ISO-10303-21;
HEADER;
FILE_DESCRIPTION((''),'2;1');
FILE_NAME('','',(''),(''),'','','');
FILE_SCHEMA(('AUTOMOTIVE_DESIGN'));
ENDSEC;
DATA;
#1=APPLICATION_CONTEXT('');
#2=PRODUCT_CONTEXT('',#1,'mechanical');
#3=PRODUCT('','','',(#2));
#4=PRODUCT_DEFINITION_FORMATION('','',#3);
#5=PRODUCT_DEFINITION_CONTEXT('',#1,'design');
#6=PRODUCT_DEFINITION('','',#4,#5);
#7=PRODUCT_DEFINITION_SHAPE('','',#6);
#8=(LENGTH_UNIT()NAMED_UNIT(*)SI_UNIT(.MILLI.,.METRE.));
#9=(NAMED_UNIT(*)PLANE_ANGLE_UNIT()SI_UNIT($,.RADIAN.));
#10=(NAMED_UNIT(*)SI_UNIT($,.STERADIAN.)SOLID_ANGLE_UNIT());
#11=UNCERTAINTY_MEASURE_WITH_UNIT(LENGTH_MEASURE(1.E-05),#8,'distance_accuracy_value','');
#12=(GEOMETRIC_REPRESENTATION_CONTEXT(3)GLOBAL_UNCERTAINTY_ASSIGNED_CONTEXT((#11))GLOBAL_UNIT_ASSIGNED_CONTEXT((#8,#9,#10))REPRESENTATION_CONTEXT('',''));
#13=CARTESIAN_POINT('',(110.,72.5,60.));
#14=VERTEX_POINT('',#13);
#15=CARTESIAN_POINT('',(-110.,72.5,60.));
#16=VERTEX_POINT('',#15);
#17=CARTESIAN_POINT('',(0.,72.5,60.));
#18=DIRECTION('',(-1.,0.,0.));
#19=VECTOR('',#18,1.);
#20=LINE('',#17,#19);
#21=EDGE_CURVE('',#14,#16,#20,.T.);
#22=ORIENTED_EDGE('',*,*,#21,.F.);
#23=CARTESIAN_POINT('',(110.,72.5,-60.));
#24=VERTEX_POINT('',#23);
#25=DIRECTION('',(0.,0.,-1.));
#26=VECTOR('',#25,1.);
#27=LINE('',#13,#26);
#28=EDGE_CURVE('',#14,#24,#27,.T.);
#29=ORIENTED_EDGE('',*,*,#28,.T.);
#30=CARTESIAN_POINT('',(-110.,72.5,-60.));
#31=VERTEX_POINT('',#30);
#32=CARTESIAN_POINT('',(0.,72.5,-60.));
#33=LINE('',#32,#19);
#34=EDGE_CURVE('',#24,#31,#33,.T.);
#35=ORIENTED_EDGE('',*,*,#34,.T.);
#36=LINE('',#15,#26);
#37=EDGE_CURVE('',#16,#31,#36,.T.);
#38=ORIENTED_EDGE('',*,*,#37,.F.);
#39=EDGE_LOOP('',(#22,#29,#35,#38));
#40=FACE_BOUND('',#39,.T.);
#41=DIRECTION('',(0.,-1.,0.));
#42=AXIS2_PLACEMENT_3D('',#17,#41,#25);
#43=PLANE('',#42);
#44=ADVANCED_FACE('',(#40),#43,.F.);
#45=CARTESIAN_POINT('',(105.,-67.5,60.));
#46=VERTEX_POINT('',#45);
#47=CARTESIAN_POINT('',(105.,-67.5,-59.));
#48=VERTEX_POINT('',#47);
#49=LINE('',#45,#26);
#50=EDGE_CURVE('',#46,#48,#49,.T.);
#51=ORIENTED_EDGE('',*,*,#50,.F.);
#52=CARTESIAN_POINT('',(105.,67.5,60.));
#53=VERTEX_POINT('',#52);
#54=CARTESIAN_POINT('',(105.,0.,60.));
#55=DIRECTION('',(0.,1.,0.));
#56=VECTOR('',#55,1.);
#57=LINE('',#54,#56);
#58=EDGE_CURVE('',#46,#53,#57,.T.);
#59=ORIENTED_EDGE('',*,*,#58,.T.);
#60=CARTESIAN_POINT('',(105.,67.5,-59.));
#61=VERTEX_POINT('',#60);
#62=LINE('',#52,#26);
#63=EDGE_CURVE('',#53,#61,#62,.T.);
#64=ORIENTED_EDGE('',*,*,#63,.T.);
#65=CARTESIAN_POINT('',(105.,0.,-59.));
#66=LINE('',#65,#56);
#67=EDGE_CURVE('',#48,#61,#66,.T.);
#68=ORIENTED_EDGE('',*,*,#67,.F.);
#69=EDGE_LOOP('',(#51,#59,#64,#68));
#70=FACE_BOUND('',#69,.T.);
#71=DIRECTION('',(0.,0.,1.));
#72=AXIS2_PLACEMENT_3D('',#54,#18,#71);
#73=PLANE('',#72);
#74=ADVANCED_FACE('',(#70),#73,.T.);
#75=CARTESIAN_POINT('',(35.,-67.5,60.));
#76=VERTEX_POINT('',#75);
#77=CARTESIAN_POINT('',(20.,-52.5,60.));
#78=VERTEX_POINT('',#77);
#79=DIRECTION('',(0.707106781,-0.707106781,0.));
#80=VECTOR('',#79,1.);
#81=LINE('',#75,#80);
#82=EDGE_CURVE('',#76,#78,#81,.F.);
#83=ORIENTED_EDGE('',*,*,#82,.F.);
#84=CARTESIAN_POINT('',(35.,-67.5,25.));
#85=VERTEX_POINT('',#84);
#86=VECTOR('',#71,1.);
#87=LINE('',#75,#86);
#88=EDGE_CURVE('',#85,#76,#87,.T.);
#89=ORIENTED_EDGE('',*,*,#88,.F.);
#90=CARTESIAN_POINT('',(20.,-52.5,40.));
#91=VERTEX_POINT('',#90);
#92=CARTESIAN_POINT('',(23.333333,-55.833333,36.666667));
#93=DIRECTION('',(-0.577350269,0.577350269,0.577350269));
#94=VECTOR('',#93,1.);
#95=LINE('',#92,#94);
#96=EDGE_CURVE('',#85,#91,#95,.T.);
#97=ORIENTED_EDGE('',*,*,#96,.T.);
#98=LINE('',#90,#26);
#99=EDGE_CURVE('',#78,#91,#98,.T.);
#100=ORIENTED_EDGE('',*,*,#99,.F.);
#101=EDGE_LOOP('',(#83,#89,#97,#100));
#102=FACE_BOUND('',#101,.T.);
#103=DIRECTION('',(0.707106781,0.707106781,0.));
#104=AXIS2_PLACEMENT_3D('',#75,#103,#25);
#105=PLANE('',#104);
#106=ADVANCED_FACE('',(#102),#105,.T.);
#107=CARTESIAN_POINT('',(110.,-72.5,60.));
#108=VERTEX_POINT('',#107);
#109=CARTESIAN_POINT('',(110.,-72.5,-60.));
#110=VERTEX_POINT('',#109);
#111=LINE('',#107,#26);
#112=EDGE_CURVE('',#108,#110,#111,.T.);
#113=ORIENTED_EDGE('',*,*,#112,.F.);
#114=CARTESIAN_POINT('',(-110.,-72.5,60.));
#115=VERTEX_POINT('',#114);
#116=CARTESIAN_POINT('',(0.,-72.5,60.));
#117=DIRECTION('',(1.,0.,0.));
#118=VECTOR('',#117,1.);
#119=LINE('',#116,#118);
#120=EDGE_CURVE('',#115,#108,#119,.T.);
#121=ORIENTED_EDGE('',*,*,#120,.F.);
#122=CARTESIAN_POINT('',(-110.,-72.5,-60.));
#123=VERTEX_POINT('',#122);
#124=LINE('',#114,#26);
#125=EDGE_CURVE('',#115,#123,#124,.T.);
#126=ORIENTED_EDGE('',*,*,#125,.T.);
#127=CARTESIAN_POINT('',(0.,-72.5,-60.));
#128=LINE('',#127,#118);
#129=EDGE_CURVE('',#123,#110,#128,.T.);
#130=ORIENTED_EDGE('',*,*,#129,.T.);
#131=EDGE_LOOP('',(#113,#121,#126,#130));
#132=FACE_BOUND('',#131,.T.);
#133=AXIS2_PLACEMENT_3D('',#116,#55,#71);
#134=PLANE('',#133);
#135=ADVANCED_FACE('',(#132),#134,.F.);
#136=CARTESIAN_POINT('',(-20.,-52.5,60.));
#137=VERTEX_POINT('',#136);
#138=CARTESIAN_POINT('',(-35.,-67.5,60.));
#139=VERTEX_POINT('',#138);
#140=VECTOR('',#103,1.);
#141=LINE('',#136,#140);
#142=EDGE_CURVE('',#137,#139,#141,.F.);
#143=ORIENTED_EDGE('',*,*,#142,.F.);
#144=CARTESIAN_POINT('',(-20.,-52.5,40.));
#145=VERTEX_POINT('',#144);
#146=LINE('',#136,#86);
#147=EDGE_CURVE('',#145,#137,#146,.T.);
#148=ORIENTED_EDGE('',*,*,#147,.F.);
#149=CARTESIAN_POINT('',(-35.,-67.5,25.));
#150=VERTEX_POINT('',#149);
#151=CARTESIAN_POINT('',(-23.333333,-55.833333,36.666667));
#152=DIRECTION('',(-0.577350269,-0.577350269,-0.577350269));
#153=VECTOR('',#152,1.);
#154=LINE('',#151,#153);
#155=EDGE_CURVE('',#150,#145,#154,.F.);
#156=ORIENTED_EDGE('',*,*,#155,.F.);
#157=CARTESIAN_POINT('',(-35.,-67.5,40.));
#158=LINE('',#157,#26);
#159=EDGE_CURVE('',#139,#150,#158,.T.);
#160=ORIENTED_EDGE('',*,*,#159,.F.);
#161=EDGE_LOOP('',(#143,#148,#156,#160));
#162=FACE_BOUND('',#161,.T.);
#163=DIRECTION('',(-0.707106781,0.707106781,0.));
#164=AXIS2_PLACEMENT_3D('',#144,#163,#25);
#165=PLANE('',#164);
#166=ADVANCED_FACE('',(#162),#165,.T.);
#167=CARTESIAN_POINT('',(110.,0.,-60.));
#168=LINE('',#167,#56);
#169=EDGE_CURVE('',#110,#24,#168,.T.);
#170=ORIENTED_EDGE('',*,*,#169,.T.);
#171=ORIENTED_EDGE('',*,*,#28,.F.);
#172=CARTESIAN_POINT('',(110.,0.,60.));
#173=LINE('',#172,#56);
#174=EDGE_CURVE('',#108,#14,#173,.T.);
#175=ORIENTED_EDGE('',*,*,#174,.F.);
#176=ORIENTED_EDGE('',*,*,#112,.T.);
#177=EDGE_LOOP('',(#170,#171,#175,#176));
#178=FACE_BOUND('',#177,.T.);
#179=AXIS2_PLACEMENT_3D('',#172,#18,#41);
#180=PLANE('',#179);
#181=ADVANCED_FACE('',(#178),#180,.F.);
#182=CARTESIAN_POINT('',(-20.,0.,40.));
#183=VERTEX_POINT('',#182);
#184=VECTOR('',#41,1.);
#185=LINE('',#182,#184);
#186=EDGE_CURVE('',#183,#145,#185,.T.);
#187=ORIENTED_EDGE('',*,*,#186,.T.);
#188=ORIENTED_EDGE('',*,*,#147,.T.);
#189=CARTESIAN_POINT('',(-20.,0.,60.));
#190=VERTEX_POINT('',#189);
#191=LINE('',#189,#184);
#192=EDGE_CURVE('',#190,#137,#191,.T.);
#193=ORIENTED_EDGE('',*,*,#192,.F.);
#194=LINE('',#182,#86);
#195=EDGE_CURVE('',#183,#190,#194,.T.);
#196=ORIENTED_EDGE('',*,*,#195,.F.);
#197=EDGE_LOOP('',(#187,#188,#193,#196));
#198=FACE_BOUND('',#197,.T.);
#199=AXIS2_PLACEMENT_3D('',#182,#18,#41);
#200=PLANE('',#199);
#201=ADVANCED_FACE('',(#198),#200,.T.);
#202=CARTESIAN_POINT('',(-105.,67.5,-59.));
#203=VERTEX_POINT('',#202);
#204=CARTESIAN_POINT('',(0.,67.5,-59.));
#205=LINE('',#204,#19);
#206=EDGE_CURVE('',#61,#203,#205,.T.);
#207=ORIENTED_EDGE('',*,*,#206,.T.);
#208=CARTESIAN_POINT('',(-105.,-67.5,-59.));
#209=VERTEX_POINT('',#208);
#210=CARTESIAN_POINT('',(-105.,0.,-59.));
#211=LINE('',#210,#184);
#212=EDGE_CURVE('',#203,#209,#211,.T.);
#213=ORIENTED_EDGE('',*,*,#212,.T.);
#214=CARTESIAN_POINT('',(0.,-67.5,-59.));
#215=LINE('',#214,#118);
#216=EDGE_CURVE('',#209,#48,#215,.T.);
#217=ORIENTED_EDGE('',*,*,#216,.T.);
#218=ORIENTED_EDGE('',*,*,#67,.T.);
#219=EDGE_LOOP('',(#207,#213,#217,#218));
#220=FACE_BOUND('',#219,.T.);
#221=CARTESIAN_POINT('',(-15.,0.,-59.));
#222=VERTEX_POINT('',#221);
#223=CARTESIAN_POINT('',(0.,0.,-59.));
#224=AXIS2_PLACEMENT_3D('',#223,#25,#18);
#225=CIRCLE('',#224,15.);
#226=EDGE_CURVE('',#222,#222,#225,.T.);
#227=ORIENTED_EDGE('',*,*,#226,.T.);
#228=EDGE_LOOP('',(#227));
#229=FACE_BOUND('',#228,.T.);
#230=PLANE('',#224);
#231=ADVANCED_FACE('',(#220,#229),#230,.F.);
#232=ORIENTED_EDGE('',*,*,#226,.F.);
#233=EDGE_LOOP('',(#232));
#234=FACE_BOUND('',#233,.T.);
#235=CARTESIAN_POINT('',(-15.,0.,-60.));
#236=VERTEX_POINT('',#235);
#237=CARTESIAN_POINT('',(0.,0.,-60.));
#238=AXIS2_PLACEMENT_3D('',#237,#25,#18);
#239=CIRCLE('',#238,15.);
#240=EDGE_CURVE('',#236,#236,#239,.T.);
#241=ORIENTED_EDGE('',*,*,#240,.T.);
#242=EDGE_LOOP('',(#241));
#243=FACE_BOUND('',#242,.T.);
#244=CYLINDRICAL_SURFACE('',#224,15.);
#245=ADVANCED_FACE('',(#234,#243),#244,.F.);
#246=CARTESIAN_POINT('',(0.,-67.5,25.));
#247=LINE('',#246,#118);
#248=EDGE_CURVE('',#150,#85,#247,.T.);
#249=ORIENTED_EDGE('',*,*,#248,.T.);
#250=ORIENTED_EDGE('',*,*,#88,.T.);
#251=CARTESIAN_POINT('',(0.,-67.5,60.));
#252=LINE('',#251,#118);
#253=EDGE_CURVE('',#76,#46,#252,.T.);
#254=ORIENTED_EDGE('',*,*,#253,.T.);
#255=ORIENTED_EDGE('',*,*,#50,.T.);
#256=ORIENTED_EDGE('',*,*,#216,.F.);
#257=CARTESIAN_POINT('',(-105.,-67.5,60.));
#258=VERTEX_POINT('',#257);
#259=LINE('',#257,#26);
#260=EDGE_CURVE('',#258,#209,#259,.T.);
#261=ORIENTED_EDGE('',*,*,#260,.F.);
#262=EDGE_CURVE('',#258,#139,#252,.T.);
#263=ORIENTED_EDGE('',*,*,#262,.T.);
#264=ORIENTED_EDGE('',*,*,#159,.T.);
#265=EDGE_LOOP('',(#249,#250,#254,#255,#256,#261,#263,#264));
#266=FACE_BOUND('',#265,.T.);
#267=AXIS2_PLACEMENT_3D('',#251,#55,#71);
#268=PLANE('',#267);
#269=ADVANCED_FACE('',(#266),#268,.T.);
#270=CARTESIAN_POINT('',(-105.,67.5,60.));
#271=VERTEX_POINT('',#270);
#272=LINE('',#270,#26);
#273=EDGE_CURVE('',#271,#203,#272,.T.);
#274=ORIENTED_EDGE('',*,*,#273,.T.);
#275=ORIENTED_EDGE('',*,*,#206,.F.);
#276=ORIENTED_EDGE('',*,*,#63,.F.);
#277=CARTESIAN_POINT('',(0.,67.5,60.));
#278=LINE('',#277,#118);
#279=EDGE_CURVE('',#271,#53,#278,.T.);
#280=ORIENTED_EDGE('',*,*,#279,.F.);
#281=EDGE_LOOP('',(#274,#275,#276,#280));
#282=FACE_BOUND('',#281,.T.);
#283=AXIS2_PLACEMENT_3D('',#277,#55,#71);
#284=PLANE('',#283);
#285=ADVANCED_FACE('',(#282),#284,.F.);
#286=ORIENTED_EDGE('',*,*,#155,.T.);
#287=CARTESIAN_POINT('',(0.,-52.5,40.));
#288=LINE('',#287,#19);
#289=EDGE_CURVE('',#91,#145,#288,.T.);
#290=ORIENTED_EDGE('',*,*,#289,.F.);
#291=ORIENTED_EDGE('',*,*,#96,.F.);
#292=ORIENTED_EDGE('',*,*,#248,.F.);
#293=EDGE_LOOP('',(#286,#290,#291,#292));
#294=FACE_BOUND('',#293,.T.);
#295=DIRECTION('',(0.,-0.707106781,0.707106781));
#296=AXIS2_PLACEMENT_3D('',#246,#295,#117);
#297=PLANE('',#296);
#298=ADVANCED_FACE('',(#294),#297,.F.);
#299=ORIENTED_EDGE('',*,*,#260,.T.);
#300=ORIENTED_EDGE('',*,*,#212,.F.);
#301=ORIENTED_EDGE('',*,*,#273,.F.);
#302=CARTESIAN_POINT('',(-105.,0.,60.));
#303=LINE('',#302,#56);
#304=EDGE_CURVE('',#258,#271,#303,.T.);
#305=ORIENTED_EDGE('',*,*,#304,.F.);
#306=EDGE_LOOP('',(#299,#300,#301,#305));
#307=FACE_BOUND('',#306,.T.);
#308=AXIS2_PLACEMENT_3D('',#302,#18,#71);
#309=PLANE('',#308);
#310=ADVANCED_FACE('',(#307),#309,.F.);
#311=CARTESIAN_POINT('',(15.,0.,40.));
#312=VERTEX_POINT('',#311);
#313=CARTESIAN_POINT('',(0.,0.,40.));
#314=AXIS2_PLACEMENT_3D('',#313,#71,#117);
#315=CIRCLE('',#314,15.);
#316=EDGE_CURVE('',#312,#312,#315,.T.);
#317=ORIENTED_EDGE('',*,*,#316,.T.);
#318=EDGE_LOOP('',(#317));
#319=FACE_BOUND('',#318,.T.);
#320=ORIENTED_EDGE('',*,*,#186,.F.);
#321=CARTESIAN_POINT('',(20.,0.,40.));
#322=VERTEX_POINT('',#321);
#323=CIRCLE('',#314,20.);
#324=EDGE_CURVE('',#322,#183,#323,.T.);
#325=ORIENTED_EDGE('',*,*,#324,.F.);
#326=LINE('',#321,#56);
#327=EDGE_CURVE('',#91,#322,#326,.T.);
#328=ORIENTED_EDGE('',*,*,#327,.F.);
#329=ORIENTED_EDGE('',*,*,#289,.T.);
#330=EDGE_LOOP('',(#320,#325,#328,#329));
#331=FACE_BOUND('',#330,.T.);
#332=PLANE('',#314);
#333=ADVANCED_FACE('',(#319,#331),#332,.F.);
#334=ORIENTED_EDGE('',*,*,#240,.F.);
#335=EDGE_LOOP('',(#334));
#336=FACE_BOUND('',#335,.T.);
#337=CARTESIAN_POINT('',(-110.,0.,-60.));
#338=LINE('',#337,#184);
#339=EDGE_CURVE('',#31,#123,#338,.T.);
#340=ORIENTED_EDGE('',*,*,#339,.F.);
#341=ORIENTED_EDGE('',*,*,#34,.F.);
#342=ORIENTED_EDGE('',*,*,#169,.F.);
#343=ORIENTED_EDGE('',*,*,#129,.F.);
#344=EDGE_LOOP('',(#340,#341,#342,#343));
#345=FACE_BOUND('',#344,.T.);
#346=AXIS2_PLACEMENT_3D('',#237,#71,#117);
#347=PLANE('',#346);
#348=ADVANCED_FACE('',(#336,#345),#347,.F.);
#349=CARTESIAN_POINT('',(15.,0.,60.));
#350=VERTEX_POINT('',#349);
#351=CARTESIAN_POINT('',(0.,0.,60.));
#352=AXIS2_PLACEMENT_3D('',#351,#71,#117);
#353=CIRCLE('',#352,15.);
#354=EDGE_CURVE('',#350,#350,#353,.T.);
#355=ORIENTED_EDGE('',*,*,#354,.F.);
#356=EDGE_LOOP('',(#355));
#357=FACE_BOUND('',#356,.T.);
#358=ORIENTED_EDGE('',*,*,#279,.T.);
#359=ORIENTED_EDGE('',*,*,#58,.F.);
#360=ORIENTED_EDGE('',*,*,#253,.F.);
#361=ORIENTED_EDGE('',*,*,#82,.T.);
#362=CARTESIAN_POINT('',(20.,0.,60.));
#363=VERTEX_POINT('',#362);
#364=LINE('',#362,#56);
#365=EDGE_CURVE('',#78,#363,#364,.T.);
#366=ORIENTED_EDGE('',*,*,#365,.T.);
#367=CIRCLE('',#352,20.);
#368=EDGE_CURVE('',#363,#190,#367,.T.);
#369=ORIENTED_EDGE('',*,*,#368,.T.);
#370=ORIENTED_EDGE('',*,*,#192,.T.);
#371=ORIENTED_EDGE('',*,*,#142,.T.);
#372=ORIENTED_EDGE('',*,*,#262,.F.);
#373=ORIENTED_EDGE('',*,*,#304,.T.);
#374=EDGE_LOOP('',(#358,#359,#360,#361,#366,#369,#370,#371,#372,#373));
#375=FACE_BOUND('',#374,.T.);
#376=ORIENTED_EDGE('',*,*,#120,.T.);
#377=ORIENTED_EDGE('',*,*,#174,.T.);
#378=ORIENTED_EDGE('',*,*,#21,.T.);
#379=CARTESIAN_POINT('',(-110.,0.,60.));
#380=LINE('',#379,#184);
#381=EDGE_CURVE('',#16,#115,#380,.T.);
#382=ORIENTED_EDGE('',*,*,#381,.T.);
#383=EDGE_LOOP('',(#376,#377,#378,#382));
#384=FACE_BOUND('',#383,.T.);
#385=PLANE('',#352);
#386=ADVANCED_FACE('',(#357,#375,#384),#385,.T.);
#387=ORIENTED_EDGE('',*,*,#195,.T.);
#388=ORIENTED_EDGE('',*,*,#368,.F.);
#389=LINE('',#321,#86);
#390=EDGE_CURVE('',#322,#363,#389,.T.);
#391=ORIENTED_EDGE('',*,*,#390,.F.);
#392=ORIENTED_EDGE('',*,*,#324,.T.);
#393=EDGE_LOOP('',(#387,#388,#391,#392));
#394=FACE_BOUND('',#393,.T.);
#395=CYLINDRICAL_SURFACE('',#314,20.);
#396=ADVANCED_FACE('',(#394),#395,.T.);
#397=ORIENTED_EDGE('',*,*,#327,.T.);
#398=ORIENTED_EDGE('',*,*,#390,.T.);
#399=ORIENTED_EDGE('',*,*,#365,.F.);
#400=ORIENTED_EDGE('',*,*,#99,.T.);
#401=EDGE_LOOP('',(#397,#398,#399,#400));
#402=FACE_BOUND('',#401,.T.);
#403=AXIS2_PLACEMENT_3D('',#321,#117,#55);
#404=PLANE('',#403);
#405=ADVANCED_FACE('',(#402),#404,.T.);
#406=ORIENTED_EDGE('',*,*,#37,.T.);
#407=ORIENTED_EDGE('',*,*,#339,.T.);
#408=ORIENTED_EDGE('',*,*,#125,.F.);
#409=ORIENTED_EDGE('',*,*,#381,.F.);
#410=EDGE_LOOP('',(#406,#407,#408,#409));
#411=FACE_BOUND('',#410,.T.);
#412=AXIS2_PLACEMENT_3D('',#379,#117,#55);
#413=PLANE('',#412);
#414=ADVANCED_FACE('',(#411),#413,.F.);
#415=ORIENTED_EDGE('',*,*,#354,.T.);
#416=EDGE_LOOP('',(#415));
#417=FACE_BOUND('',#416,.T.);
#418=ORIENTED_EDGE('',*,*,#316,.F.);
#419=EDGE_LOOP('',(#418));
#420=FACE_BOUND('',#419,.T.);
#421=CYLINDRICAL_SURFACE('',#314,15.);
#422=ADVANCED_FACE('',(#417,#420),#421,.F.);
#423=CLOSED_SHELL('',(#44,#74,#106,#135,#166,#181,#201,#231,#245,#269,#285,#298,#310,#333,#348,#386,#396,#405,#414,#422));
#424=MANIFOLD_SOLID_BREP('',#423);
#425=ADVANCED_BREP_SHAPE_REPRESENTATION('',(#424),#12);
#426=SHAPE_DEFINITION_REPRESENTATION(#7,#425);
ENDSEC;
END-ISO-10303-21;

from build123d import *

# Parameters (mm, degrees)
ESBO_O1_W                = 220
ESBO_O1_H                = 145
ESBO_O1_W_2              = 210
ESBO_O1_H_2              = 135
RESSALTO_EXTRUS_O1_DEPTH = 60
ESBO_O3_W                = 210
ESBO_O3_H                = 135
ESBO_O3_R                = 15
RESSALTO_EXTRUS_O3_DEPTH = 1
RESSALTO_EXTRUS_O8_START = -20
ESBO_O14_R               = 15
RESSALTO_EXTRUS_O8_DEPTH = 20
CHANFRO4_SIZE            = 15


with BuildPart() as part:
    # Esboço1 → Ressalto-extrusão1 (new, symmetric)
    with BuildSketch(Plane.XY):
        Rectangle(ESBO_O1_W, ESBO_O1_H)
        Rectangle(ESBO_O1_W_2, ESBO_O1_H_2, mode=Mode.SUBTRACT)
    extrude(amount=RESSALTO_EXTRUS_O1_DEPTH, both=True)

    # Esboço3 → Ressalto-extrusão3 (add)
    with BuildSketch(Plane(origin=(0, 0, -60), x_dir=(-1, 0, 0), z_dir=(0, 0, -1))):
        Rectangle(ESBO_O3_W, ESBO_O3_H)
        Circle(ESBO_O3_R, mode=Mode.SUBTRACT)
    extrude(amount=-RESSALTO_EXTRUS_O3_DEPTH)

    # Esboço14 → Ressalto-extrusão8 (add)
    with BuildSketch(Plane.XY.offset(60).offset(RESSALTO_EXTRUS_O8_START)):
        with BuildLine():
            Line((-20, 0), (-20, -67.5))
            Line((-20, -67.5), (20, -67.5))
            Line((20, -67.5), (20, 0))
            ThreePointArc((20, 0), (0, 20), (-20, 0))
        make_face()
        with Locations(Location((0, 0, 0), (0, 0, 180))):
            Circle(ESBO_O14_R, mode=Mode.SUBTRACT)
    extrude(amount=RESSALTO_EXTRUS_O8_DEPTH)

    # Chanfro4
    chanfro4_edges = [part.edges().sort_by_distance(p)[0] for p in [
        (0, -67.5, 40),
        (20, -67.5, 50),
        (-20, -67.5, 50),
    ]]
    chamfer(chanfro4_edges, length=CHANFRO4_SIZE)


solid = part.part
